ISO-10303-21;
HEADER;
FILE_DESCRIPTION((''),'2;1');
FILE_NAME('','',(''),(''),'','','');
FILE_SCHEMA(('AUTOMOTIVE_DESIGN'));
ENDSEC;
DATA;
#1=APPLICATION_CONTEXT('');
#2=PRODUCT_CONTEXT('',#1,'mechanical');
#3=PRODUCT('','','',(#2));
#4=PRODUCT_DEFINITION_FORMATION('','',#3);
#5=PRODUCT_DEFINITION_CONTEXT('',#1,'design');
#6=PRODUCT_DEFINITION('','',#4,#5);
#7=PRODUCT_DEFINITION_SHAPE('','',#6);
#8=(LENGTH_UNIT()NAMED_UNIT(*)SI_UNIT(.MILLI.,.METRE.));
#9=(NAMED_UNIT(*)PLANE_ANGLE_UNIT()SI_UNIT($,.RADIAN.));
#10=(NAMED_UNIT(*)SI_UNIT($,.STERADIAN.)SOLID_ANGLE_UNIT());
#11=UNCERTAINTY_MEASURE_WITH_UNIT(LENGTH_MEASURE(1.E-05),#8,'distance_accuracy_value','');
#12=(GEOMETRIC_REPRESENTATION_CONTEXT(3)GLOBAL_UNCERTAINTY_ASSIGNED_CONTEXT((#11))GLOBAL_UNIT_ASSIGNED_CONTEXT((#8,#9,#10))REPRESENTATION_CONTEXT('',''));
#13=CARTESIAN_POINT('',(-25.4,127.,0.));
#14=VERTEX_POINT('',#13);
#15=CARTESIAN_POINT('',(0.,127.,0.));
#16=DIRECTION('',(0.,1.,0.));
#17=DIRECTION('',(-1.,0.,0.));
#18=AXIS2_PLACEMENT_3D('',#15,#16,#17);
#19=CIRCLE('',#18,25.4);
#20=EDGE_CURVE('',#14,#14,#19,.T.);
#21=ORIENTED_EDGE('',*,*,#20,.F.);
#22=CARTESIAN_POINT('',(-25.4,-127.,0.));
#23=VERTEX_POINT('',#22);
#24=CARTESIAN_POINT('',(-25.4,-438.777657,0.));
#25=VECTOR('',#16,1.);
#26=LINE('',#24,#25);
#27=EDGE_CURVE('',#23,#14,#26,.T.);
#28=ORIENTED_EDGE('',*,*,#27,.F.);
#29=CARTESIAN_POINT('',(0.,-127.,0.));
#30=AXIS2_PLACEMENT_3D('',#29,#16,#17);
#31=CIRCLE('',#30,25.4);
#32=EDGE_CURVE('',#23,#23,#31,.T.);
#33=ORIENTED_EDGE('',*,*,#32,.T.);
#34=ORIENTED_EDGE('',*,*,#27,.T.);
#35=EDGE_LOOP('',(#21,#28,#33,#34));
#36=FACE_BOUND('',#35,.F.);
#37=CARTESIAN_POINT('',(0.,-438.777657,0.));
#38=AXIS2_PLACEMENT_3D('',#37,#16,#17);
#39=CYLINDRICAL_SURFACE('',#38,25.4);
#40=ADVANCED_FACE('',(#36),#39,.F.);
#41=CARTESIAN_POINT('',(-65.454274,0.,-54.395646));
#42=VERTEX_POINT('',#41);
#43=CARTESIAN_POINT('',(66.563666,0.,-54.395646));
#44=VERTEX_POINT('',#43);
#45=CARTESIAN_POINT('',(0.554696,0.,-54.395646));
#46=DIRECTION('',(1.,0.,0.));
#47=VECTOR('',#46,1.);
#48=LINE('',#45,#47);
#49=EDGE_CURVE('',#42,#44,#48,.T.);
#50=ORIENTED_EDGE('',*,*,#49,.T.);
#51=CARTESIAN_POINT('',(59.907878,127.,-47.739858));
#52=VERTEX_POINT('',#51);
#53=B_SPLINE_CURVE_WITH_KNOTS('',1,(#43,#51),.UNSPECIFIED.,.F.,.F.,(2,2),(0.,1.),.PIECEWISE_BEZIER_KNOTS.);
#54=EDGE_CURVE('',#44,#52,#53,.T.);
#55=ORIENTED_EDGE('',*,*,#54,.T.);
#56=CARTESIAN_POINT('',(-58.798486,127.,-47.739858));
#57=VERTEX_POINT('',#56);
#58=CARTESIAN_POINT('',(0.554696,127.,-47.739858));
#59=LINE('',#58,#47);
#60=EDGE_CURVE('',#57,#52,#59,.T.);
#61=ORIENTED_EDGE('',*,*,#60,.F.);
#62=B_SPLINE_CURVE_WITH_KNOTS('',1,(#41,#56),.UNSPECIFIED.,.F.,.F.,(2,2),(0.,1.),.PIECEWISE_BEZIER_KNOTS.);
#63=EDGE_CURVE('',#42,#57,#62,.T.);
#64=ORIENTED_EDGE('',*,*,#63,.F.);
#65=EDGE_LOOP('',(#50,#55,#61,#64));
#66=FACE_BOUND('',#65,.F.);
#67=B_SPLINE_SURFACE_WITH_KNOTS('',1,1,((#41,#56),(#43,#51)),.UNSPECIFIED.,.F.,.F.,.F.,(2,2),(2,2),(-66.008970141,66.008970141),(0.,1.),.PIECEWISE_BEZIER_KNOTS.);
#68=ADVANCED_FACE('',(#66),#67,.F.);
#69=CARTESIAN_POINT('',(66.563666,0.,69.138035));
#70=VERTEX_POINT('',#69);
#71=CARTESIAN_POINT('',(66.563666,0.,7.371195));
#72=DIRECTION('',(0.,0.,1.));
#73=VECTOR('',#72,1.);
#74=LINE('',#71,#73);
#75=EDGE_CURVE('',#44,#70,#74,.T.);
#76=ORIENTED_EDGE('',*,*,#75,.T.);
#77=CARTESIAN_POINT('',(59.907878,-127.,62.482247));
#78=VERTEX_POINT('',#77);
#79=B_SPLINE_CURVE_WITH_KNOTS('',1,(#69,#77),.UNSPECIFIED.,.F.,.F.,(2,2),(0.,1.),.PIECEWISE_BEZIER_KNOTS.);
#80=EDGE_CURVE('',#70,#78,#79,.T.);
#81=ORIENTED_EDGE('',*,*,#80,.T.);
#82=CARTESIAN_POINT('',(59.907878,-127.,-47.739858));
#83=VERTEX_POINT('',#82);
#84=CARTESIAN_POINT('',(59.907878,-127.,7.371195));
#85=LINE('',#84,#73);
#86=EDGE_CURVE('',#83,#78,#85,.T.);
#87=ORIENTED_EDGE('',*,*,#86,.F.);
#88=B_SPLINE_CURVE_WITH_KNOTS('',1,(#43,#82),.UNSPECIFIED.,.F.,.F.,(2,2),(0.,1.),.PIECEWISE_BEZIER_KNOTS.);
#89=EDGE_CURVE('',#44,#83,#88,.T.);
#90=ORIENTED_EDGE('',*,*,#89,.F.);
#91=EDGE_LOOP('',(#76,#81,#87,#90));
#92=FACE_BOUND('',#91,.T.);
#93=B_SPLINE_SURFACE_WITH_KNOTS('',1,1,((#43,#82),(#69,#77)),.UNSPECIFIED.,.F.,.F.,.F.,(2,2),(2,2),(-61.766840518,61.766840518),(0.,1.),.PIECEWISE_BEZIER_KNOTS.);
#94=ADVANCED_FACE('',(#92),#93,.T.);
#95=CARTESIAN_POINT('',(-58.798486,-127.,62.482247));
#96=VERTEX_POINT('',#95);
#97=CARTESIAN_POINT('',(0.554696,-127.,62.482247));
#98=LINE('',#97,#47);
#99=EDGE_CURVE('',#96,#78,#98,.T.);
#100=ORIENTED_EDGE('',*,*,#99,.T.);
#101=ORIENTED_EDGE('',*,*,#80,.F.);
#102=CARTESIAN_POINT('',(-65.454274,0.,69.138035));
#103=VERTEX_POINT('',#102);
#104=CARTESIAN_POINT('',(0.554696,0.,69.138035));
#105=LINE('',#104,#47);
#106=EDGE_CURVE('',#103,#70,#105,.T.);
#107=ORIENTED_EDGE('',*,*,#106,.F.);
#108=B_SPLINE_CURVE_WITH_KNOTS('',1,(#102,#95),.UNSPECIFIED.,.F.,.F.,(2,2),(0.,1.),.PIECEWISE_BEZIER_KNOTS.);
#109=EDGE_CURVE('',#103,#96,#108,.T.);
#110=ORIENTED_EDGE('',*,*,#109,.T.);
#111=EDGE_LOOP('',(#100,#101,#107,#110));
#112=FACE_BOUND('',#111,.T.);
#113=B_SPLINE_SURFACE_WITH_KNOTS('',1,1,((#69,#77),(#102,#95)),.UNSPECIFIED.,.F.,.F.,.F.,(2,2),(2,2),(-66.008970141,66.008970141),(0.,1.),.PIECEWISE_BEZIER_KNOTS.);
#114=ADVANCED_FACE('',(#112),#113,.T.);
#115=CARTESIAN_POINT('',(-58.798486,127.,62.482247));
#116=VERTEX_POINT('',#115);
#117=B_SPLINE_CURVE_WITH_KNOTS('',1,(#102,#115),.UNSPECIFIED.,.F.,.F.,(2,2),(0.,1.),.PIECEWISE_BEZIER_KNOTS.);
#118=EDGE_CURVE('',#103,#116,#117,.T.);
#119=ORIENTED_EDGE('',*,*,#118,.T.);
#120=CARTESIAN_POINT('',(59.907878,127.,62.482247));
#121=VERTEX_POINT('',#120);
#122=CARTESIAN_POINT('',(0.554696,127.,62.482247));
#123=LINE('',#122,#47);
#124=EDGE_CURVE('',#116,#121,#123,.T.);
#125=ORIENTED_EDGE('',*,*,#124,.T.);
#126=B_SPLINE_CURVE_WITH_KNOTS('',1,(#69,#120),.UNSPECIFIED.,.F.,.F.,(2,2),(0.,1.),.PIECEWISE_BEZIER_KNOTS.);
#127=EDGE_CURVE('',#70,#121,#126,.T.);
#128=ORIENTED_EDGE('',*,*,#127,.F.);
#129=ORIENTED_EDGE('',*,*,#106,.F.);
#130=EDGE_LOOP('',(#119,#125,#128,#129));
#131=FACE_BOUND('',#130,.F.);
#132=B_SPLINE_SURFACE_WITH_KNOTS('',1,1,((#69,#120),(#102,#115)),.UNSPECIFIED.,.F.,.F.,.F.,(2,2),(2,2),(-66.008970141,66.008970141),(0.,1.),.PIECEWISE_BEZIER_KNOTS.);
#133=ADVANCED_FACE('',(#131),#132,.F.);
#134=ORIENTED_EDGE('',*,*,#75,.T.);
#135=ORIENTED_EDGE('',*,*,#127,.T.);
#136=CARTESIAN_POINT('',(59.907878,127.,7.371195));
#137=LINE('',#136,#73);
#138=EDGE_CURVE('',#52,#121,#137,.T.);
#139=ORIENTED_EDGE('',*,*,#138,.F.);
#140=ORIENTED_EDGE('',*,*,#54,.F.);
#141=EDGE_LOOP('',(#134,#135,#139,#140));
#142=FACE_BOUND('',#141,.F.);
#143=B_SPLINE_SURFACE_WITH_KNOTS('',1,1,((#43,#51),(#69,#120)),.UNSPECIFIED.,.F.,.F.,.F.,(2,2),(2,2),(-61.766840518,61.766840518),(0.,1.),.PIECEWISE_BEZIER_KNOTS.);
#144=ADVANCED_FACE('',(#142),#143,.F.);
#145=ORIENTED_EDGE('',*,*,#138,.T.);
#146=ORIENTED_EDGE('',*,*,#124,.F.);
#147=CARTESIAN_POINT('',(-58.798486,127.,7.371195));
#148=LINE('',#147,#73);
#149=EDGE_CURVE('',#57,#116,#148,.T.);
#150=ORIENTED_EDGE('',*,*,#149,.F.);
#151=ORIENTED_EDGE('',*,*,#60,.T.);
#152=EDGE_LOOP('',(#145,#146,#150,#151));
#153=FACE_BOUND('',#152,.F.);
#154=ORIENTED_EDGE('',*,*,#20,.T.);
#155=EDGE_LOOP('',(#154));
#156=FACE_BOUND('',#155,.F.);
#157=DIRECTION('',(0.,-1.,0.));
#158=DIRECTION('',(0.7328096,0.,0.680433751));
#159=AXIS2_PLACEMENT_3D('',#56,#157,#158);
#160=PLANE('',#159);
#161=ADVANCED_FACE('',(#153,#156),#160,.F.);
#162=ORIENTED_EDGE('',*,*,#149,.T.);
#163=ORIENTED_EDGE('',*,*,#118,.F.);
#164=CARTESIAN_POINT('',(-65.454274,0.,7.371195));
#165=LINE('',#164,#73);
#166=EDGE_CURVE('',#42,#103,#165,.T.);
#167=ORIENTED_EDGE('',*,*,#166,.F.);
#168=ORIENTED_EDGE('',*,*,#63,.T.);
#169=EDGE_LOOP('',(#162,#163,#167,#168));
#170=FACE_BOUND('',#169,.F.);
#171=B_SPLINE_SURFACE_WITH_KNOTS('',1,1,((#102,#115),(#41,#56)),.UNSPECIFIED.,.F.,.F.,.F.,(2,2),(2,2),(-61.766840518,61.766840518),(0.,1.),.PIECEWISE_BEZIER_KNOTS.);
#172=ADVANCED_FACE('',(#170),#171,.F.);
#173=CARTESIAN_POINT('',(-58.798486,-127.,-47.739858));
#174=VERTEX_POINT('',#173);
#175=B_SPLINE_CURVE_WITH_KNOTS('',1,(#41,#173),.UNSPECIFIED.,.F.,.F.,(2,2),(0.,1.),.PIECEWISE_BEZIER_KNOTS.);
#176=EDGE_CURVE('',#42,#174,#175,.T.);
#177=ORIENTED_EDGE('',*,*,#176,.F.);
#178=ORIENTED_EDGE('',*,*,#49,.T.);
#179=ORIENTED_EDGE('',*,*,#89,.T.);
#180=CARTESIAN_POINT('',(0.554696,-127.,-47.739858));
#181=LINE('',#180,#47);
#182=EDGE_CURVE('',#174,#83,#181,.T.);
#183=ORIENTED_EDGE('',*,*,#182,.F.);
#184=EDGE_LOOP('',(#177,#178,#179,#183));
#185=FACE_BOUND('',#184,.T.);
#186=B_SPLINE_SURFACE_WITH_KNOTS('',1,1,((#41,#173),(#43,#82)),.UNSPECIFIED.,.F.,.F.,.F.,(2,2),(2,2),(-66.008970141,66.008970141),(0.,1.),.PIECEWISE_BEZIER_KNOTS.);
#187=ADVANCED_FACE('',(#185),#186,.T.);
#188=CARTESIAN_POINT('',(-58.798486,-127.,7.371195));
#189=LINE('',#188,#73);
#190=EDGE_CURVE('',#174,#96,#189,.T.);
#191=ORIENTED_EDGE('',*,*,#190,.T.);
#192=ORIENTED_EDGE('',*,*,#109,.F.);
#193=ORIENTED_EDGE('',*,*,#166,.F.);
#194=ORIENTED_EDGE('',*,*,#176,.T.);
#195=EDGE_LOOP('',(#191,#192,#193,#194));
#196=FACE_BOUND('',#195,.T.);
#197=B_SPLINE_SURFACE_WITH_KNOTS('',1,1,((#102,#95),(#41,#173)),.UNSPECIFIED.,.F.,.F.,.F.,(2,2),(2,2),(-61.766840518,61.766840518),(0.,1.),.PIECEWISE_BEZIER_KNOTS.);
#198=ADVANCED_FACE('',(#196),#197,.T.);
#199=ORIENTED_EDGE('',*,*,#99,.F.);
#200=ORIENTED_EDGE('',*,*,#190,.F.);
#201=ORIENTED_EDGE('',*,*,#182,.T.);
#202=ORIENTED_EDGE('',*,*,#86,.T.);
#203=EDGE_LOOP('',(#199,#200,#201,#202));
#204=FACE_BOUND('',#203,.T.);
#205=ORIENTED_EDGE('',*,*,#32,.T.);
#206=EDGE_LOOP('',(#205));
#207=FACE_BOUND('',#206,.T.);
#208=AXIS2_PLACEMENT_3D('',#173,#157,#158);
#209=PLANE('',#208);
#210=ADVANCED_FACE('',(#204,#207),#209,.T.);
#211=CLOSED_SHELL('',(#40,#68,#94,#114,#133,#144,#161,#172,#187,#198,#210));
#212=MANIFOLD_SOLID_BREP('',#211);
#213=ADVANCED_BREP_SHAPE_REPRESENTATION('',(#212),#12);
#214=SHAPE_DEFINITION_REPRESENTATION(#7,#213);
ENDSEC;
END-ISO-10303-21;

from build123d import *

# Parameters (mm, degrees)
F0_W          = 132.0179402828
F0_H          = 123.533681035
F1_DEPTH      = 127
F1_TAPER      = 3
F1_DEPTH_BACK = 127
F1_TAPER_BACK = 3
F3_D          = 50.8


with BuildPart() as f1:
    # F0 (on Front) → F1 (new body, two sides)
    with BuildSketch(Plane.XZ) as f1_sk:
        with Locations((0.5546957254, 7.3711946607)):
            Rectangle(F0_W, F0_H)
    extrude(amount=F1_DEPTH, taper=F1_TAPER)
    extrude(f1_sk.sketch, amount=-F1_DEPTH_BACK, taper=F1_TAPER_BACK)

    # F3 (through all)
    with Locations(Plane.XZ.offset(127)):
        with Locations((0, 0)):
            Hole(F3_D / 2)


solid = f1.part
